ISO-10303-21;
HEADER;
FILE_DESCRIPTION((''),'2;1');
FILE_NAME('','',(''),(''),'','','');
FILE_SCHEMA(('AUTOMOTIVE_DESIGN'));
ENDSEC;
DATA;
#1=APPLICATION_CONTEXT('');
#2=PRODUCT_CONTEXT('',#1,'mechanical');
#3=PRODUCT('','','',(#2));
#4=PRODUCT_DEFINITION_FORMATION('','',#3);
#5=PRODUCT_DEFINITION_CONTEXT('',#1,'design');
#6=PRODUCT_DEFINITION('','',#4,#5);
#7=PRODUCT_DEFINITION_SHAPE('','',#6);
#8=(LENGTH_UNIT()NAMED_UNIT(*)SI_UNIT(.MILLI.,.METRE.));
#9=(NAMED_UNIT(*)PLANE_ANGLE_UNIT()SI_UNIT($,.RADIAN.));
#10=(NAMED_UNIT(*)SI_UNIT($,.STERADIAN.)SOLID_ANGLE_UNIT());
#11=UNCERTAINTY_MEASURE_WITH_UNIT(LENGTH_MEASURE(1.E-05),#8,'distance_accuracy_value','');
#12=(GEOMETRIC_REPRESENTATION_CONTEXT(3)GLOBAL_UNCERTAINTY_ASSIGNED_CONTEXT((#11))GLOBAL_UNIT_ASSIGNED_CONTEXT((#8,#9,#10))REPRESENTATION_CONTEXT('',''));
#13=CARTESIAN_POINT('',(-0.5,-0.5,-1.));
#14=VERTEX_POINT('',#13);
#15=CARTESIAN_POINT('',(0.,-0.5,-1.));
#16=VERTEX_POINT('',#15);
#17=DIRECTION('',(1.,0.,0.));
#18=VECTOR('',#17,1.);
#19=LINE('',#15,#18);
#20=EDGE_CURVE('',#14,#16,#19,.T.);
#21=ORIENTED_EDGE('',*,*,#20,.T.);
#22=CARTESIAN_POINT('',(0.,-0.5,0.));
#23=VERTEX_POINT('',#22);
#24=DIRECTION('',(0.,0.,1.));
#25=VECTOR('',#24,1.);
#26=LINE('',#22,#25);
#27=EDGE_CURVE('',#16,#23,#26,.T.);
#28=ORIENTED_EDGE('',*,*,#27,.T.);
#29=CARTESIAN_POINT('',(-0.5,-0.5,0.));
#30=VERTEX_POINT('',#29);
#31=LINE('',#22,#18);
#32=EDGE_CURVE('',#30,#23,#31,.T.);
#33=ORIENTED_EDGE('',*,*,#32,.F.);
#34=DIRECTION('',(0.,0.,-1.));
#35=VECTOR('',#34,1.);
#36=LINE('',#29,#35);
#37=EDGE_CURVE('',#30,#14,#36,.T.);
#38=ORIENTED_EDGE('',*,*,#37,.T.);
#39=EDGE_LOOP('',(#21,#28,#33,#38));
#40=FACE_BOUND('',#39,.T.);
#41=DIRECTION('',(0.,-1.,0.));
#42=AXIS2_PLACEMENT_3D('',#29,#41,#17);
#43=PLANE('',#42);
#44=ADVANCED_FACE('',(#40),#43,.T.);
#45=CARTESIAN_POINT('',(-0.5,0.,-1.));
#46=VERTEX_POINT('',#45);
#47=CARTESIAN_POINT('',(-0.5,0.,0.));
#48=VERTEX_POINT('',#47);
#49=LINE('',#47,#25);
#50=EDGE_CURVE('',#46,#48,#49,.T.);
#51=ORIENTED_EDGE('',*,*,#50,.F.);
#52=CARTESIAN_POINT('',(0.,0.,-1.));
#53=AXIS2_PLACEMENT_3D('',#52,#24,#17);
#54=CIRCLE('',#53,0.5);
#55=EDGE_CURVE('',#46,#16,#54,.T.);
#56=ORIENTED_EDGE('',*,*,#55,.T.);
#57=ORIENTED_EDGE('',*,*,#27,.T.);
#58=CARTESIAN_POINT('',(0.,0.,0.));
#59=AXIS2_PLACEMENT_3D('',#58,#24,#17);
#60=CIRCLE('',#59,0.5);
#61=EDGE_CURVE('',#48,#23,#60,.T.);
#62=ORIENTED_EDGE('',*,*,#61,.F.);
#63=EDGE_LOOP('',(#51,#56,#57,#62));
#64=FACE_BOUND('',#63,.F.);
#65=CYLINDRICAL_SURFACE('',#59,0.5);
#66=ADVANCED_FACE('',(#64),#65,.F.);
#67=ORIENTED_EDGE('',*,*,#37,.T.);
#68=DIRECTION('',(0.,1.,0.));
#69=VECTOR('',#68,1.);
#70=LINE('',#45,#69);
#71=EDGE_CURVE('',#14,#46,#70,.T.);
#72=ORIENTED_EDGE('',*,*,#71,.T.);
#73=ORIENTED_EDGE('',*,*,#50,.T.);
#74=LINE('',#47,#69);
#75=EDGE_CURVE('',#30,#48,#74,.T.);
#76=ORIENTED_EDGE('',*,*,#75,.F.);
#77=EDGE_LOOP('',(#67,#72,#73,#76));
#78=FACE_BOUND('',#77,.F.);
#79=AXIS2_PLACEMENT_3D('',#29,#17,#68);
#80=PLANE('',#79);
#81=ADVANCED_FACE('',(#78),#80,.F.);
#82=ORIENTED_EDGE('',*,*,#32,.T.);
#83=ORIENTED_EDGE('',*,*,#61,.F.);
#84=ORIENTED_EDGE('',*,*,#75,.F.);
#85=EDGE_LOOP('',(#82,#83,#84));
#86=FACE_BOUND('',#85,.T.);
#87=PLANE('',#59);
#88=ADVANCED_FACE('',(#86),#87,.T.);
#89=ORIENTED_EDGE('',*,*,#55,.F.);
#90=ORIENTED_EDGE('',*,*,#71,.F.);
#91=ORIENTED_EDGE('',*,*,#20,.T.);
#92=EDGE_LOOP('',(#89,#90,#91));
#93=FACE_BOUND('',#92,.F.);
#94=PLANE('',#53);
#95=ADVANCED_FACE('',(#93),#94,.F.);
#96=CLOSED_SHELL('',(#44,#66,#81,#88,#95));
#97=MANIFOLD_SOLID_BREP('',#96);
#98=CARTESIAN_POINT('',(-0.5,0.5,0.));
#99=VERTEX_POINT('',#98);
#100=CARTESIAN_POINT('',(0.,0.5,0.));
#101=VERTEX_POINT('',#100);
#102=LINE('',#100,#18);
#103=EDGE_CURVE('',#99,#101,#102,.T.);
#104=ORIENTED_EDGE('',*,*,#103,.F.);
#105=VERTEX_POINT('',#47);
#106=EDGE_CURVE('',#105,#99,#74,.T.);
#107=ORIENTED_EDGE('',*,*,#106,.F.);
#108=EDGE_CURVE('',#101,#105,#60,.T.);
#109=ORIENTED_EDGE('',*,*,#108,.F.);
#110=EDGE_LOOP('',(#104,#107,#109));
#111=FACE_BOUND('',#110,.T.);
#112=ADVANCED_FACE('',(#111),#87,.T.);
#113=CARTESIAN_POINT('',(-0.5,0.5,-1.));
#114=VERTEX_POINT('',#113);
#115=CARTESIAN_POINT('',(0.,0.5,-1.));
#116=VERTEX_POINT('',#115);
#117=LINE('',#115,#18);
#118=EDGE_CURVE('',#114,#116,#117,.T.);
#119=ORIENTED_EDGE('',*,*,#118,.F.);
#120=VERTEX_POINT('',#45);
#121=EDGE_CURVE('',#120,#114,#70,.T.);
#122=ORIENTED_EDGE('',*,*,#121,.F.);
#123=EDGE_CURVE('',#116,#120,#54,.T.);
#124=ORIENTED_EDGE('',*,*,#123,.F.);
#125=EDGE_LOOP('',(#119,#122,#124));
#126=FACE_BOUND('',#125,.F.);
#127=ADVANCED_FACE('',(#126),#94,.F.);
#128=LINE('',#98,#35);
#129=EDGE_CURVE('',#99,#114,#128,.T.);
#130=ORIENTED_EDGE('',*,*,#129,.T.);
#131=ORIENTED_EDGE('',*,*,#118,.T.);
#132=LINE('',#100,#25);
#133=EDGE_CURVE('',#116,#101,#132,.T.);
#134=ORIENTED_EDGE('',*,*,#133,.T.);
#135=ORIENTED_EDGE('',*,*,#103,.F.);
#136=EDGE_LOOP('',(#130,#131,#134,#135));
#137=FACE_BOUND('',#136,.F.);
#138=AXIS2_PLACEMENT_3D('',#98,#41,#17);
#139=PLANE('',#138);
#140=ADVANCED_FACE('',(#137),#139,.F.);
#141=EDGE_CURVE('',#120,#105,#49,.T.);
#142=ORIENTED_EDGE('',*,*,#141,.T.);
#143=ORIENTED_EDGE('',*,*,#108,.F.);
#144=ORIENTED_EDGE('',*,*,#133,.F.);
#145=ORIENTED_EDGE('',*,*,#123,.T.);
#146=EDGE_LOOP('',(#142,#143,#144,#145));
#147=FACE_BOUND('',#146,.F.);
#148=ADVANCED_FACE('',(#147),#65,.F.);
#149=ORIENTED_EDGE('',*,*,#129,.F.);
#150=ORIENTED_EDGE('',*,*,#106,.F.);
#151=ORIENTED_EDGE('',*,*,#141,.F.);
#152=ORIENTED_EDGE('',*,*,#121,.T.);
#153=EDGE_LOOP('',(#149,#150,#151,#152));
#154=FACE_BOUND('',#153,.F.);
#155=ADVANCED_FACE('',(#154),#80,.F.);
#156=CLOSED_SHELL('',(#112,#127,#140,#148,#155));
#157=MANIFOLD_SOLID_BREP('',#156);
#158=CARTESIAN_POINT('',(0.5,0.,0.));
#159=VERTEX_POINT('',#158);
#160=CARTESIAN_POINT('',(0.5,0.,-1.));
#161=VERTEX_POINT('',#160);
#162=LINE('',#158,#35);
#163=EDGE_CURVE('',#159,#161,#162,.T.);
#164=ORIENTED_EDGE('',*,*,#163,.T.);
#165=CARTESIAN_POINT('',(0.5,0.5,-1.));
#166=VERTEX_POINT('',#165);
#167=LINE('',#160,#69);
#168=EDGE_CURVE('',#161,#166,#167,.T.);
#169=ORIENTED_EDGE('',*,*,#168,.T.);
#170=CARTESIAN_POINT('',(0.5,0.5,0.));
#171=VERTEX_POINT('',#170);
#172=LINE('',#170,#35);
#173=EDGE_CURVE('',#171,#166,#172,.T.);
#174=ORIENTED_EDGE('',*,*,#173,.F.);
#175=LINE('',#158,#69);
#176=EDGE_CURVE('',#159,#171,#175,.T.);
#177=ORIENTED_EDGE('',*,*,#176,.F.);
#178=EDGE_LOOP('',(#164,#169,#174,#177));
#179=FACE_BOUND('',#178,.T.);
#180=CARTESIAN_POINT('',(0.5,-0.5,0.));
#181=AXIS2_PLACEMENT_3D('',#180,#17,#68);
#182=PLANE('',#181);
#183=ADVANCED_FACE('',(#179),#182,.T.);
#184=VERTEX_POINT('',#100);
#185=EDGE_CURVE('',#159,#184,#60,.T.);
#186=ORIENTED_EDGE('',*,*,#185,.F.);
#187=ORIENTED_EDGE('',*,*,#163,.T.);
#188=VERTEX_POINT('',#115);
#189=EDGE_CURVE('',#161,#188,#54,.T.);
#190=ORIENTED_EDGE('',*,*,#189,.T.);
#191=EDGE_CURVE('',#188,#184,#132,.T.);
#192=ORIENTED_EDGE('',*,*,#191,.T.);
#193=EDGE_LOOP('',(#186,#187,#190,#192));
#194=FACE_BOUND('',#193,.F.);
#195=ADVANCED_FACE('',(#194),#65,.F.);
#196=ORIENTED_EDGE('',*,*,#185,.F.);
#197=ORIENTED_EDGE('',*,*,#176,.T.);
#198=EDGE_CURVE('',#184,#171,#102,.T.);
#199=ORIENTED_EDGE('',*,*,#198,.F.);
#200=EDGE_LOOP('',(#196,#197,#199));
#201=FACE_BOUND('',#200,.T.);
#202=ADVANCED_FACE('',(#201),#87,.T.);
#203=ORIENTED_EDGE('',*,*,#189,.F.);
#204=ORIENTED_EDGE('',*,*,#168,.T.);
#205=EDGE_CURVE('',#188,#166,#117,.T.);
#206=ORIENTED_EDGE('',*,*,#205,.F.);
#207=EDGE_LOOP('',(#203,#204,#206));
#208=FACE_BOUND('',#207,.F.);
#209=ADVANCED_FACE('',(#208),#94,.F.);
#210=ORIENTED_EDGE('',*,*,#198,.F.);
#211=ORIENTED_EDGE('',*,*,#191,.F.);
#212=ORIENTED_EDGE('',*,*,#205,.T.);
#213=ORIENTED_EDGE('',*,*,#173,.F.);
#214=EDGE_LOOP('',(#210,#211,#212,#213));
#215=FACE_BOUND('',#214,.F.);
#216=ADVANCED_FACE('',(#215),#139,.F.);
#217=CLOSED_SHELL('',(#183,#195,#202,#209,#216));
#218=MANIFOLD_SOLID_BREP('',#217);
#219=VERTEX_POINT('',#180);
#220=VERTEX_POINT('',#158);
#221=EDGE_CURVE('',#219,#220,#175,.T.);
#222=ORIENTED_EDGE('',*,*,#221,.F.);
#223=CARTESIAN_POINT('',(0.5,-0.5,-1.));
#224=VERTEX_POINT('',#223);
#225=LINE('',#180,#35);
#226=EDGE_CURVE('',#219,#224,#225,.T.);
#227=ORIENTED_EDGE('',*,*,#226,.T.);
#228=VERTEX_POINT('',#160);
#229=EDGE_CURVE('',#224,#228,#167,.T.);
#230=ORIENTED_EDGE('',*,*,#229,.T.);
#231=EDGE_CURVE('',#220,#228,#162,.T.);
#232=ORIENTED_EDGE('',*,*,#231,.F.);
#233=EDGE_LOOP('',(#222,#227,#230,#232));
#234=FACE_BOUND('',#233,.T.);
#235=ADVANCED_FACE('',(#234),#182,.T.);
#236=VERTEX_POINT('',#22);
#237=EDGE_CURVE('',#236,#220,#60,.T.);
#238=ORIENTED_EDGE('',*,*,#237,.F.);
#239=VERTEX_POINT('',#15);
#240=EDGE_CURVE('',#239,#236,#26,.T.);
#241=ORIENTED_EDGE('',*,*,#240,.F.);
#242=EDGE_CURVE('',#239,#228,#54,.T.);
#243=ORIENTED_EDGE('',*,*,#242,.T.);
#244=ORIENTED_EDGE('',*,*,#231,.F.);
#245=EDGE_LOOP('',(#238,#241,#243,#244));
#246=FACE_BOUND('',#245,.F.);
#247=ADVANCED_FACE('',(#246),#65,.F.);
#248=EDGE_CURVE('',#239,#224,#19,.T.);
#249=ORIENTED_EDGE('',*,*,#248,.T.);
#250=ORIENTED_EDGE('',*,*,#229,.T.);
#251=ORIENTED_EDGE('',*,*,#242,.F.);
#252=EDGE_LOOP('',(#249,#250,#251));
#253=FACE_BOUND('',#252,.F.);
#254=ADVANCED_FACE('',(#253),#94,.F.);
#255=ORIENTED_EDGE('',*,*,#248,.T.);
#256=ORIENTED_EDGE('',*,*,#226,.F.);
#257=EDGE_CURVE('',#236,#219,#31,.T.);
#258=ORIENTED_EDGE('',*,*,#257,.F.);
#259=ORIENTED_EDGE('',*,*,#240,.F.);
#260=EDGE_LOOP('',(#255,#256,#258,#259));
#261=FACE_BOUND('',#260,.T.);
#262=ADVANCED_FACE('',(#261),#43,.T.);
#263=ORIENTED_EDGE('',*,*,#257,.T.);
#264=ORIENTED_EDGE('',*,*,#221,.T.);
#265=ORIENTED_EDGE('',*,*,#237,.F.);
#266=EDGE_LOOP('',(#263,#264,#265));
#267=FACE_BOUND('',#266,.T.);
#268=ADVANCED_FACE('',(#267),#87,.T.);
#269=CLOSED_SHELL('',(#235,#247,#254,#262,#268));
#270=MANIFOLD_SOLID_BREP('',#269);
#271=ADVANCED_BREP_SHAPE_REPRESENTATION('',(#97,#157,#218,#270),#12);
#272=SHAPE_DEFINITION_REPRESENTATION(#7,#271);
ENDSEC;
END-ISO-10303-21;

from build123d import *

# Parameters (mm, degrees)
SKETCH001_R      = 0.5
EXTRUDE001_DEPTH = 1
SKETCH_W         = 1
SKETCH_H         = 1
EXTRUDE_DEPTH    = 1


with BuildPart() as extrude001:
    # Sketch001 → Extrude001 (new body)
    with BuildSketch(Plane.XY):
        Circle(SKETCH001_R)
    extrude(amount=-EXTRUDE001_DEPTH)


with BuildPart() as square_with_hole:
    # Sketch → Extrude (new body)
    with BuildSketch(Plane.XY):
        Rectangle(SKETCH_W, SKETCH_H)
    extrude(amount=-EXTRUDE_DEPTH)

    # Cut: cut Extrude001
    add(extrude001.part, mode=Mode.SUBTRACT)


solid = square_with_hole.part
